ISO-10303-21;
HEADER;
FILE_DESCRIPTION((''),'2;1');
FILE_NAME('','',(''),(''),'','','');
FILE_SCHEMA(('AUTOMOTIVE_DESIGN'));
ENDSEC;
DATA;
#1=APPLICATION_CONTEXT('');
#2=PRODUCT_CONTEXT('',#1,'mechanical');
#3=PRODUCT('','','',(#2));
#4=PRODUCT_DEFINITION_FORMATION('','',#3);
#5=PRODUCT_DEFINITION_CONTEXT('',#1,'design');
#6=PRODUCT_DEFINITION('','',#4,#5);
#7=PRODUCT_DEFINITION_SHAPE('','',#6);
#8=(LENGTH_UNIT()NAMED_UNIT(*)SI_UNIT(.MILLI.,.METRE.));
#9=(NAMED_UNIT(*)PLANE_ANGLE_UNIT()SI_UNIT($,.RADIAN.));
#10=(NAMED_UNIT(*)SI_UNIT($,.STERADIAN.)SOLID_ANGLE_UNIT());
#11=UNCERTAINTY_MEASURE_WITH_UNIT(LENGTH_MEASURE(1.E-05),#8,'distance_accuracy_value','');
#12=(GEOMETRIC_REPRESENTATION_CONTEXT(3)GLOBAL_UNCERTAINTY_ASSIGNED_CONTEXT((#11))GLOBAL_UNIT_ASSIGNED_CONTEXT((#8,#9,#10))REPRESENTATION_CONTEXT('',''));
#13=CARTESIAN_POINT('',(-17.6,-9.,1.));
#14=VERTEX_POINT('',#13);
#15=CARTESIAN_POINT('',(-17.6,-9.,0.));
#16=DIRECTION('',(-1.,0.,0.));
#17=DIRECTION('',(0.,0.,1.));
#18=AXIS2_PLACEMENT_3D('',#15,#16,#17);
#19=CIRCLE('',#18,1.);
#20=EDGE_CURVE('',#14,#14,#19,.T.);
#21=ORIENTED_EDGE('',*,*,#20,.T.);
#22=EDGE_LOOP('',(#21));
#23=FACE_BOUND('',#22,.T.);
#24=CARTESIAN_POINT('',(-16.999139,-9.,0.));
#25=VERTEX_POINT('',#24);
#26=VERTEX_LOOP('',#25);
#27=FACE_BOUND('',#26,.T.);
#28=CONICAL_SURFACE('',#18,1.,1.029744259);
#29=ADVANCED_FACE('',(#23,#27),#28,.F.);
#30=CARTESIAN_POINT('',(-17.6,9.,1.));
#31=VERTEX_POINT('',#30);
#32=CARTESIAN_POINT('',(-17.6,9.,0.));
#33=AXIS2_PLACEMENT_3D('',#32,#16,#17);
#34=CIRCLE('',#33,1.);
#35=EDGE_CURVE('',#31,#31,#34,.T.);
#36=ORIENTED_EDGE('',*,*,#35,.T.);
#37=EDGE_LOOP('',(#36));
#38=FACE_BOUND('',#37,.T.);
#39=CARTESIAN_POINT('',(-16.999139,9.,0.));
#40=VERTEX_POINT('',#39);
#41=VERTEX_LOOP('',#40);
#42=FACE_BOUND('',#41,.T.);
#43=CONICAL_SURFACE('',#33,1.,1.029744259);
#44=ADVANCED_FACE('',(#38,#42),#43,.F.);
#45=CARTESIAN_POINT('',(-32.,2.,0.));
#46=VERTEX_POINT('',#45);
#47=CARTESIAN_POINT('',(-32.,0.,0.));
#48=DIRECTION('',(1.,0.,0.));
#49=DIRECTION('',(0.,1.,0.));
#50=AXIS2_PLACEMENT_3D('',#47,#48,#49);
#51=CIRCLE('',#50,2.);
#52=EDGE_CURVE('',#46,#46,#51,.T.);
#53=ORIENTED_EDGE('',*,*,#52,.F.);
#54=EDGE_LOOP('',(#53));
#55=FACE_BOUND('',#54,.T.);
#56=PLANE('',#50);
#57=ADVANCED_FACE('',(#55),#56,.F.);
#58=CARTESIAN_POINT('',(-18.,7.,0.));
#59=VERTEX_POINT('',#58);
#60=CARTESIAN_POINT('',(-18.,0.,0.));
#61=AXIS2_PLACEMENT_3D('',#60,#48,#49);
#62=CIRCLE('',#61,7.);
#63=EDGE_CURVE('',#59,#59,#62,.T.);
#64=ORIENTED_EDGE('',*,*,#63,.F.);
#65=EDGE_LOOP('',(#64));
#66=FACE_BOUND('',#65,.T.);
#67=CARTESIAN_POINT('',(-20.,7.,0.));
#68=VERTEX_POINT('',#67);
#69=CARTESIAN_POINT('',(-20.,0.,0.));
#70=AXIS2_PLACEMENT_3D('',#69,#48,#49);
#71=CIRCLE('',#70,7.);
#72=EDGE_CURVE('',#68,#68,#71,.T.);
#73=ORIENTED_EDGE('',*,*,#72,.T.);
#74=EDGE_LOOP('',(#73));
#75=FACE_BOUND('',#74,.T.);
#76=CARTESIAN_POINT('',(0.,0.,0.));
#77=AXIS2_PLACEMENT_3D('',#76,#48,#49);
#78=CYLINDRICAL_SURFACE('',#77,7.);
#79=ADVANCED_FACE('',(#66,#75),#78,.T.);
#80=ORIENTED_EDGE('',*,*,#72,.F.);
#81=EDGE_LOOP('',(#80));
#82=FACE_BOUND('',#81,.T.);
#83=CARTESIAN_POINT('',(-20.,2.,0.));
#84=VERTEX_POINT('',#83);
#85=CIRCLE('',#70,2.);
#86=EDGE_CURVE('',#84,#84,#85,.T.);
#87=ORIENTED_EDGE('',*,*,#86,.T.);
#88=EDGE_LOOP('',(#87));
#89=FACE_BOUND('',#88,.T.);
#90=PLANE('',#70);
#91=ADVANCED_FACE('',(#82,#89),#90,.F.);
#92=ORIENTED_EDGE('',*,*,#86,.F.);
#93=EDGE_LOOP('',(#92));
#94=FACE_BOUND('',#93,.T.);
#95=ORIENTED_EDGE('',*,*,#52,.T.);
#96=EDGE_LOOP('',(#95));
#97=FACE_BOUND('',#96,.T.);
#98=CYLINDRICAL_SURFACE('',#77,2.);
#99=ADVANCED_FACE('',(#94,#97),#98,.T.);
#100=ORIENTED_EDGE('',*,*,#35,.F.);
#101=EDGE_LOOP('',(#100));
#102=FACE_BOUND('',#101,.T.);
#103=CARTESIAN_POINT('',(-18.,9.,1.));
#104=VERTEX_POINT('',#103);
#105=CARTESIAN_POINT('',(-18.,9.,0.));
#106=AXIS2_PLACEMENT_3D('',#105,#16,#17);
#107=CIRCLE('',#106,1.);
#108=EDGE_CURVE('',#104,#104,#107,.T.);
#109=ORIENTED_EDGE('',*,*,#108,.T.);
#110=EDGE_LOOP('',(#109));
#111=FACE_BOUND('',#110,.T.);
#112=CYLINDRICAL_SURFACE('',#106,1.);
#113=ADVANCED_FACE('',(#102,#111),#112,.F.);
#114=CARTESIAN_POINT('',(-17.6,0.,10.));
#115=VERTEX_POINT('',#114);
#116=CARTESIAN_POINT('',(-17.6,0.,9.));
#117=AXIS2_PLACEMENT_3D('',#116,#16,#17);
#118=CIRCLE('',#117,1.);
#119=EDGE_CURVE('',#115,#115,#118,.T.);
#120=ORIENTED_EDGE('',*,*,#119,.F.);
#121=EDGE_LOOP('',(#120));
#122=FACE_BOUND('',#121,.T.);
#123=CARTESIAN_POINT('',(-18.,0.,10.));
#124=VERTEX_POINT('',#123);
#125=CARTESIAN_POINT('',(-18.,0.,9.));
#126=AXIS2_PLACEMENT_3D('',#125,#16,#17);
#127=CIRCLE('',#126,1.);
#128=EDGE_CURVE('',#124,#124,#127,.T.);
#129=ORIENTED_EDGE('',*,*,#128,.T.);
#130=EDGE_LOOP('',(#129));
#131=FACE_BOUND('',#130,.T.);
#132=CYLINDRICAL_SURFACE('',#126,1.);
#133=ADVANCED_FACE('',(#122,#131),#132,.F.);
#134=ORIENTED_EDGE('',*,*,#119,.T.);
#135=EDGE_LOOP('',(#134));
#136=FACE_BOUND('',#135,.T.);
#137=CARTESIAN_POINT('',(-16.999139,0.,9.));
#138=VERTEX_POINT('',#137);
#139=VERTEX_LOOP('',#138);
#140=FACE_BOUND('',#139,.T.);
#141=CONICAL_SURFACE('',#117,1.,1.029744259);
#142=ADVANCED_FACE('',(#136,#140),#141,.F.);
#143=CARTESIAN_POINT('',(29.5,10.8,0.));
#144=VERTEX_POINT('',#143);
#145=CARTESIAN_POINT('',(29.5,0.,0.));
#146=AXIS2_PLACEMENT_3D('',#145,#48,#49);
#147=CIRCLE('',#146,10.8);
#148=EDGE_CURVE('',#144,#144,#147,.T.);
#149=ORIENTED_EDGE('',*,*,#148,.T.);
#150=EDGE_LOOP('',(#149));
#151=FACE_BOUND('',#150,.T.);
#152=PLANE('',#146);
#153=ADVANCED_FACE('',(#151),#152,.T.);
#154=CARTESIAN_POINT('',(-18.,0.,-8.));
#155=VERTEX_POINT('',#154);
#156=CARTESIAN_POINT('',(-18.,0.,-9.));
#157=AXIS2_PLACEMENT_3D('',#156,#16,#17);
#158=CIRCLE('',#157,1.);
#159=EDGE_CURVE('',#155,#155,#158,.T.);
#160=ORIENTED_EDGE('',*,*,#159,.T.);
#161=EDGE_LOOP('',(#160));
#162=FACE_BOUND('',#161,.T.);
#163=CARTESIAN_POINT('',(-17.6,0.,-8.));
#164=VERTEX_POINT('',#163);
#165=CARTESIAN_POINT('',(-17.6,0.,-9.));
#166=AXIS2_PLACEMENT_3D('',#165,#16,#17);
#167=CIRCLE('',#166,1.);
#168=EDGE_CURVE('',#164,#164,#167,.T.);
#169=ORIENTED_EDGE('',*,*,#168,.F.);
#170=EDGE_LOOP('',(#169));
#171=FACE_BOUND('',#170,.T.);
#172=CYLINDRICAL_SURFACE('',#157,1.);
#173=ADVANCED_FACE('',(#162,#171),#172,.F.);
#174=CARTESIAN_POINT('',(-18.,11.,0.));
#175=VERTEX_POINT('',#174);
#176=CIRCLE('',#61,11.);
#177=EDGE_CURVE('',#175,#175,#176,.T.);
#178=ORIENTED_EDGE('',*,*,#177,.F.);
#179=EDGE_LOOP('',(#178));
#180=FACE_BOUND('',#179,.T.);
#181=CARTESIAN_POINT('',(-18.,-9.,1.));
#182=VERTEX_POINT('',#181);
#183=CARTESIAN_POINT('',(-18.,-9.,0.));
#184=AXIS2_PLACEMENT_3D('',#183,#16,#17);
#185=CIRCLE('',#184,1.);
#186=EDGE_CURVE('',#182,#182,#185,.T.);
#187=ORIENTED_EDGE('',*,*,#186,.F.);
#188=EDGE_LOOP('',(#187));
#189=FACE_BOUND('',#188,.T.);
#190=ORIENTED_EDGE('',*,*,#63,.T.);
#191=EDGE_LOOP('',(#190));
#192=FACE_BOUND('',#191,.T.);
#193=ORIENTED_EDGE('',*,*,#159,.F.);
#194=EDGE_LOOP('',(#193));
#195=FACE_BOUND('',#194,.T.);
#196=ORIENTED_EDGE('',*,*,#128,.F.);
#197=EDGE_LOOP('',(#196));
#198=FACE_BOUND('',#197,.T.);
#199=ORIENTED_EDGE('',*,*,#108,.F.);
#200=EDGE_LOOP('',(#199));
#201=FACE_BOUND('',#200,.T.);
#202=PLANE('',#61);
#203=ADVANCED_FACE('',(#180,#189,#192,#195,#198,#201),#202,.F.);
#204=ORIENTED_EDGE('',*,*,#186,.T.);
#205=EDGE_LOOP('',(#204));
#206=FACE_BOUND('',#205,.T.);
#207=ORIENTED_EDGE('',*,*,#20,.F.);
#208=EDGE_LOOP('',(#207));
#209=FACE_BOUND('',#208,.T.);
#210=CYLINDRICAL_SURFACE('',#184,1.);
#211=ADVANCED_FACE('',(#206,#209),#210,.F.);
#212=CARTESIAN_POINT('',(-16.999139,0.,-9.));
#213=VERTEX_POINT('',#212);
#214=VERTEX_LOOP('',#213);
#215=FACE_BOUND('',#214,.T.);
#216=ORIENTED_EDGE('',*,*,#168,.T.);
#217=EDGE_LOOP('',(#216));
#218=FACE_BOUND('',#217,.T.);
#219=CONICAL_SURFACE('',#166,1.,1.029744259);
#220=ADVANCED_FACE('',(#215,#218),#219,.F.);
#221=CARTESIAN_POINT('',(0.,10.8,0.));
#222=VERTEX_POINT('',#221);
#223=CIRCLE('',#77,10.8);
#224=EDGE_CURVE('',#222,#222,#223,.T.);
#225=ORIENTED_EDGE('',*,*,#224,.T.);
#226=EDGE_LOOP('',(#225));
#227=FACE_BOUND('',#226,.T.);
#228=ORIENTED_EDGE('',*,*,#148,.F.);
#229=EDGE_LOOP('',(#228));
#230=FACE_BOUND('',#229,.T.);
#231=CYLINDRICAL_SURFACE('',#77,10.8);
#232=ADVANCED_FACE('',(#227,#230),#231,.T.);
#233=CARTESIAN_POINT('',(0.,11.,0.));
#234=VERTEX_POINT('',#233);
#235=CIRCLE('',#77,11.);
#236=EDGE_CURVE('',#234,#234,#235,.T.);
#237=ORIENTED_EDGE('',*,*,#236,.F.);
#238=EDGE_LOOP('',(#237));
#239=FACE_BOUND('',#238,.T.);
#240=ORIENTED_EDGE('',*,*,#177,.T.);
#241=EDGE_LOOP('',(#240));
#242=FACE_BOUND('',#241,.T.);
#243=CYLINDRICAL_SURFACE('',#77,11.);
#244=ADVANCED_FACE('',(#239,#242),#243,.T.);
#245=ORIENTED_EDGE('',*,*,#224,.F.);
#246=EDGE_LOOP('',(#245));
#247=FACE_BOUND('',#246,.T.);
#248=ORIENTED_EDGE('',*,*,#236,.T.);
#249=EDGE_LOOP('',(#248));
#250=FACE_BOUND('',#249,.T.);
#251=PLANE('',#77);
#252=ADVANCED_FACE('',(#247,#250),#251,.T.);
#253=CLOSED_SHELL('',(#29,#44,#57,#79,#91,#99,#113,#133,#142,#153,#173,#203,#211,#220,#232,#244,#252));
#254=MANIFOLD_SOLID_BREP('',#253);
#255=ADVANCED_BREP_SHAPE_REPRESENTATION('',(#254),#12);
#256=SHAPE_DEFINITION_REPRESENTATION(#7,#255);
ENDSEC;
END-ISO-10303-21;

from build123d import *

# Parameters (mm, degrees)
SKETCH2_W                 = 29.5
SKETCH2_H                 = 10.8
SKETCH2_W_2               = 12
SKETCH2_H_2               = 2
F_2_0MM_DOWEL_HOLE1_D     = 2
F_2_0MM_DOWEL_HOLE1_DEPTH = 0.4
F_2_0MM_DOWEL_HOLE1_TIP   = 0.600860619


with BuildPart() as part:
    # Sketch2 → Revolve1 (revolve)
    with BuildSketch(Plane.XY, mode=Mode.PRIVATE) as revolve1_sk:
        Polygon((0, -10.8), (0, 0), (-18, 0), (-18, -7), (-18, -11), (0, -11), align=None)
        with Locations((14.75, -5.4)):
            Rectangle(SKETCH2_W, SKETCH2_H)
        Polygon((-18, -7), (-18, 0), (-20, 0), (-20, -2), (-20, -7), align=None)
        with Locations((-26, -1)):
            Rectangle(SKETCH2_W_2, SKETCH2_H_2)
    revolve(revolve1_sk.sketch.rotate(Axis((0, 0, 0), (-1, 0, 0)), 180), axis=Axis((0, 0, 0), (-1, 0, 0)))

    # Ø2.0mm Dowel Hole1
    with Locations(Plane.ZY.offset(18)):
        with Locations((-9, 0), (0, 9), (9, 0), (0, -9)):
            Hole(F_2_0MM_DOWEL_HOLE1_D / 2, depth=F_2_0MM_DOWEL_HOLE1_DEPTH)
            with Locations((0, 0, -(F_2_0MM_DOWEL_HOLE1_DEPTH + F_2_0MM_DOWEL_HOLE1_TIP / 2))):  # 118° drill point
                Cone(0, F_2_0MM_DOWEL_HOLE1_D / 2, F_2_0MM_DOWEL_HOLE1_TIP, mode=Mode.SUBTRACT)


solid = part.part
